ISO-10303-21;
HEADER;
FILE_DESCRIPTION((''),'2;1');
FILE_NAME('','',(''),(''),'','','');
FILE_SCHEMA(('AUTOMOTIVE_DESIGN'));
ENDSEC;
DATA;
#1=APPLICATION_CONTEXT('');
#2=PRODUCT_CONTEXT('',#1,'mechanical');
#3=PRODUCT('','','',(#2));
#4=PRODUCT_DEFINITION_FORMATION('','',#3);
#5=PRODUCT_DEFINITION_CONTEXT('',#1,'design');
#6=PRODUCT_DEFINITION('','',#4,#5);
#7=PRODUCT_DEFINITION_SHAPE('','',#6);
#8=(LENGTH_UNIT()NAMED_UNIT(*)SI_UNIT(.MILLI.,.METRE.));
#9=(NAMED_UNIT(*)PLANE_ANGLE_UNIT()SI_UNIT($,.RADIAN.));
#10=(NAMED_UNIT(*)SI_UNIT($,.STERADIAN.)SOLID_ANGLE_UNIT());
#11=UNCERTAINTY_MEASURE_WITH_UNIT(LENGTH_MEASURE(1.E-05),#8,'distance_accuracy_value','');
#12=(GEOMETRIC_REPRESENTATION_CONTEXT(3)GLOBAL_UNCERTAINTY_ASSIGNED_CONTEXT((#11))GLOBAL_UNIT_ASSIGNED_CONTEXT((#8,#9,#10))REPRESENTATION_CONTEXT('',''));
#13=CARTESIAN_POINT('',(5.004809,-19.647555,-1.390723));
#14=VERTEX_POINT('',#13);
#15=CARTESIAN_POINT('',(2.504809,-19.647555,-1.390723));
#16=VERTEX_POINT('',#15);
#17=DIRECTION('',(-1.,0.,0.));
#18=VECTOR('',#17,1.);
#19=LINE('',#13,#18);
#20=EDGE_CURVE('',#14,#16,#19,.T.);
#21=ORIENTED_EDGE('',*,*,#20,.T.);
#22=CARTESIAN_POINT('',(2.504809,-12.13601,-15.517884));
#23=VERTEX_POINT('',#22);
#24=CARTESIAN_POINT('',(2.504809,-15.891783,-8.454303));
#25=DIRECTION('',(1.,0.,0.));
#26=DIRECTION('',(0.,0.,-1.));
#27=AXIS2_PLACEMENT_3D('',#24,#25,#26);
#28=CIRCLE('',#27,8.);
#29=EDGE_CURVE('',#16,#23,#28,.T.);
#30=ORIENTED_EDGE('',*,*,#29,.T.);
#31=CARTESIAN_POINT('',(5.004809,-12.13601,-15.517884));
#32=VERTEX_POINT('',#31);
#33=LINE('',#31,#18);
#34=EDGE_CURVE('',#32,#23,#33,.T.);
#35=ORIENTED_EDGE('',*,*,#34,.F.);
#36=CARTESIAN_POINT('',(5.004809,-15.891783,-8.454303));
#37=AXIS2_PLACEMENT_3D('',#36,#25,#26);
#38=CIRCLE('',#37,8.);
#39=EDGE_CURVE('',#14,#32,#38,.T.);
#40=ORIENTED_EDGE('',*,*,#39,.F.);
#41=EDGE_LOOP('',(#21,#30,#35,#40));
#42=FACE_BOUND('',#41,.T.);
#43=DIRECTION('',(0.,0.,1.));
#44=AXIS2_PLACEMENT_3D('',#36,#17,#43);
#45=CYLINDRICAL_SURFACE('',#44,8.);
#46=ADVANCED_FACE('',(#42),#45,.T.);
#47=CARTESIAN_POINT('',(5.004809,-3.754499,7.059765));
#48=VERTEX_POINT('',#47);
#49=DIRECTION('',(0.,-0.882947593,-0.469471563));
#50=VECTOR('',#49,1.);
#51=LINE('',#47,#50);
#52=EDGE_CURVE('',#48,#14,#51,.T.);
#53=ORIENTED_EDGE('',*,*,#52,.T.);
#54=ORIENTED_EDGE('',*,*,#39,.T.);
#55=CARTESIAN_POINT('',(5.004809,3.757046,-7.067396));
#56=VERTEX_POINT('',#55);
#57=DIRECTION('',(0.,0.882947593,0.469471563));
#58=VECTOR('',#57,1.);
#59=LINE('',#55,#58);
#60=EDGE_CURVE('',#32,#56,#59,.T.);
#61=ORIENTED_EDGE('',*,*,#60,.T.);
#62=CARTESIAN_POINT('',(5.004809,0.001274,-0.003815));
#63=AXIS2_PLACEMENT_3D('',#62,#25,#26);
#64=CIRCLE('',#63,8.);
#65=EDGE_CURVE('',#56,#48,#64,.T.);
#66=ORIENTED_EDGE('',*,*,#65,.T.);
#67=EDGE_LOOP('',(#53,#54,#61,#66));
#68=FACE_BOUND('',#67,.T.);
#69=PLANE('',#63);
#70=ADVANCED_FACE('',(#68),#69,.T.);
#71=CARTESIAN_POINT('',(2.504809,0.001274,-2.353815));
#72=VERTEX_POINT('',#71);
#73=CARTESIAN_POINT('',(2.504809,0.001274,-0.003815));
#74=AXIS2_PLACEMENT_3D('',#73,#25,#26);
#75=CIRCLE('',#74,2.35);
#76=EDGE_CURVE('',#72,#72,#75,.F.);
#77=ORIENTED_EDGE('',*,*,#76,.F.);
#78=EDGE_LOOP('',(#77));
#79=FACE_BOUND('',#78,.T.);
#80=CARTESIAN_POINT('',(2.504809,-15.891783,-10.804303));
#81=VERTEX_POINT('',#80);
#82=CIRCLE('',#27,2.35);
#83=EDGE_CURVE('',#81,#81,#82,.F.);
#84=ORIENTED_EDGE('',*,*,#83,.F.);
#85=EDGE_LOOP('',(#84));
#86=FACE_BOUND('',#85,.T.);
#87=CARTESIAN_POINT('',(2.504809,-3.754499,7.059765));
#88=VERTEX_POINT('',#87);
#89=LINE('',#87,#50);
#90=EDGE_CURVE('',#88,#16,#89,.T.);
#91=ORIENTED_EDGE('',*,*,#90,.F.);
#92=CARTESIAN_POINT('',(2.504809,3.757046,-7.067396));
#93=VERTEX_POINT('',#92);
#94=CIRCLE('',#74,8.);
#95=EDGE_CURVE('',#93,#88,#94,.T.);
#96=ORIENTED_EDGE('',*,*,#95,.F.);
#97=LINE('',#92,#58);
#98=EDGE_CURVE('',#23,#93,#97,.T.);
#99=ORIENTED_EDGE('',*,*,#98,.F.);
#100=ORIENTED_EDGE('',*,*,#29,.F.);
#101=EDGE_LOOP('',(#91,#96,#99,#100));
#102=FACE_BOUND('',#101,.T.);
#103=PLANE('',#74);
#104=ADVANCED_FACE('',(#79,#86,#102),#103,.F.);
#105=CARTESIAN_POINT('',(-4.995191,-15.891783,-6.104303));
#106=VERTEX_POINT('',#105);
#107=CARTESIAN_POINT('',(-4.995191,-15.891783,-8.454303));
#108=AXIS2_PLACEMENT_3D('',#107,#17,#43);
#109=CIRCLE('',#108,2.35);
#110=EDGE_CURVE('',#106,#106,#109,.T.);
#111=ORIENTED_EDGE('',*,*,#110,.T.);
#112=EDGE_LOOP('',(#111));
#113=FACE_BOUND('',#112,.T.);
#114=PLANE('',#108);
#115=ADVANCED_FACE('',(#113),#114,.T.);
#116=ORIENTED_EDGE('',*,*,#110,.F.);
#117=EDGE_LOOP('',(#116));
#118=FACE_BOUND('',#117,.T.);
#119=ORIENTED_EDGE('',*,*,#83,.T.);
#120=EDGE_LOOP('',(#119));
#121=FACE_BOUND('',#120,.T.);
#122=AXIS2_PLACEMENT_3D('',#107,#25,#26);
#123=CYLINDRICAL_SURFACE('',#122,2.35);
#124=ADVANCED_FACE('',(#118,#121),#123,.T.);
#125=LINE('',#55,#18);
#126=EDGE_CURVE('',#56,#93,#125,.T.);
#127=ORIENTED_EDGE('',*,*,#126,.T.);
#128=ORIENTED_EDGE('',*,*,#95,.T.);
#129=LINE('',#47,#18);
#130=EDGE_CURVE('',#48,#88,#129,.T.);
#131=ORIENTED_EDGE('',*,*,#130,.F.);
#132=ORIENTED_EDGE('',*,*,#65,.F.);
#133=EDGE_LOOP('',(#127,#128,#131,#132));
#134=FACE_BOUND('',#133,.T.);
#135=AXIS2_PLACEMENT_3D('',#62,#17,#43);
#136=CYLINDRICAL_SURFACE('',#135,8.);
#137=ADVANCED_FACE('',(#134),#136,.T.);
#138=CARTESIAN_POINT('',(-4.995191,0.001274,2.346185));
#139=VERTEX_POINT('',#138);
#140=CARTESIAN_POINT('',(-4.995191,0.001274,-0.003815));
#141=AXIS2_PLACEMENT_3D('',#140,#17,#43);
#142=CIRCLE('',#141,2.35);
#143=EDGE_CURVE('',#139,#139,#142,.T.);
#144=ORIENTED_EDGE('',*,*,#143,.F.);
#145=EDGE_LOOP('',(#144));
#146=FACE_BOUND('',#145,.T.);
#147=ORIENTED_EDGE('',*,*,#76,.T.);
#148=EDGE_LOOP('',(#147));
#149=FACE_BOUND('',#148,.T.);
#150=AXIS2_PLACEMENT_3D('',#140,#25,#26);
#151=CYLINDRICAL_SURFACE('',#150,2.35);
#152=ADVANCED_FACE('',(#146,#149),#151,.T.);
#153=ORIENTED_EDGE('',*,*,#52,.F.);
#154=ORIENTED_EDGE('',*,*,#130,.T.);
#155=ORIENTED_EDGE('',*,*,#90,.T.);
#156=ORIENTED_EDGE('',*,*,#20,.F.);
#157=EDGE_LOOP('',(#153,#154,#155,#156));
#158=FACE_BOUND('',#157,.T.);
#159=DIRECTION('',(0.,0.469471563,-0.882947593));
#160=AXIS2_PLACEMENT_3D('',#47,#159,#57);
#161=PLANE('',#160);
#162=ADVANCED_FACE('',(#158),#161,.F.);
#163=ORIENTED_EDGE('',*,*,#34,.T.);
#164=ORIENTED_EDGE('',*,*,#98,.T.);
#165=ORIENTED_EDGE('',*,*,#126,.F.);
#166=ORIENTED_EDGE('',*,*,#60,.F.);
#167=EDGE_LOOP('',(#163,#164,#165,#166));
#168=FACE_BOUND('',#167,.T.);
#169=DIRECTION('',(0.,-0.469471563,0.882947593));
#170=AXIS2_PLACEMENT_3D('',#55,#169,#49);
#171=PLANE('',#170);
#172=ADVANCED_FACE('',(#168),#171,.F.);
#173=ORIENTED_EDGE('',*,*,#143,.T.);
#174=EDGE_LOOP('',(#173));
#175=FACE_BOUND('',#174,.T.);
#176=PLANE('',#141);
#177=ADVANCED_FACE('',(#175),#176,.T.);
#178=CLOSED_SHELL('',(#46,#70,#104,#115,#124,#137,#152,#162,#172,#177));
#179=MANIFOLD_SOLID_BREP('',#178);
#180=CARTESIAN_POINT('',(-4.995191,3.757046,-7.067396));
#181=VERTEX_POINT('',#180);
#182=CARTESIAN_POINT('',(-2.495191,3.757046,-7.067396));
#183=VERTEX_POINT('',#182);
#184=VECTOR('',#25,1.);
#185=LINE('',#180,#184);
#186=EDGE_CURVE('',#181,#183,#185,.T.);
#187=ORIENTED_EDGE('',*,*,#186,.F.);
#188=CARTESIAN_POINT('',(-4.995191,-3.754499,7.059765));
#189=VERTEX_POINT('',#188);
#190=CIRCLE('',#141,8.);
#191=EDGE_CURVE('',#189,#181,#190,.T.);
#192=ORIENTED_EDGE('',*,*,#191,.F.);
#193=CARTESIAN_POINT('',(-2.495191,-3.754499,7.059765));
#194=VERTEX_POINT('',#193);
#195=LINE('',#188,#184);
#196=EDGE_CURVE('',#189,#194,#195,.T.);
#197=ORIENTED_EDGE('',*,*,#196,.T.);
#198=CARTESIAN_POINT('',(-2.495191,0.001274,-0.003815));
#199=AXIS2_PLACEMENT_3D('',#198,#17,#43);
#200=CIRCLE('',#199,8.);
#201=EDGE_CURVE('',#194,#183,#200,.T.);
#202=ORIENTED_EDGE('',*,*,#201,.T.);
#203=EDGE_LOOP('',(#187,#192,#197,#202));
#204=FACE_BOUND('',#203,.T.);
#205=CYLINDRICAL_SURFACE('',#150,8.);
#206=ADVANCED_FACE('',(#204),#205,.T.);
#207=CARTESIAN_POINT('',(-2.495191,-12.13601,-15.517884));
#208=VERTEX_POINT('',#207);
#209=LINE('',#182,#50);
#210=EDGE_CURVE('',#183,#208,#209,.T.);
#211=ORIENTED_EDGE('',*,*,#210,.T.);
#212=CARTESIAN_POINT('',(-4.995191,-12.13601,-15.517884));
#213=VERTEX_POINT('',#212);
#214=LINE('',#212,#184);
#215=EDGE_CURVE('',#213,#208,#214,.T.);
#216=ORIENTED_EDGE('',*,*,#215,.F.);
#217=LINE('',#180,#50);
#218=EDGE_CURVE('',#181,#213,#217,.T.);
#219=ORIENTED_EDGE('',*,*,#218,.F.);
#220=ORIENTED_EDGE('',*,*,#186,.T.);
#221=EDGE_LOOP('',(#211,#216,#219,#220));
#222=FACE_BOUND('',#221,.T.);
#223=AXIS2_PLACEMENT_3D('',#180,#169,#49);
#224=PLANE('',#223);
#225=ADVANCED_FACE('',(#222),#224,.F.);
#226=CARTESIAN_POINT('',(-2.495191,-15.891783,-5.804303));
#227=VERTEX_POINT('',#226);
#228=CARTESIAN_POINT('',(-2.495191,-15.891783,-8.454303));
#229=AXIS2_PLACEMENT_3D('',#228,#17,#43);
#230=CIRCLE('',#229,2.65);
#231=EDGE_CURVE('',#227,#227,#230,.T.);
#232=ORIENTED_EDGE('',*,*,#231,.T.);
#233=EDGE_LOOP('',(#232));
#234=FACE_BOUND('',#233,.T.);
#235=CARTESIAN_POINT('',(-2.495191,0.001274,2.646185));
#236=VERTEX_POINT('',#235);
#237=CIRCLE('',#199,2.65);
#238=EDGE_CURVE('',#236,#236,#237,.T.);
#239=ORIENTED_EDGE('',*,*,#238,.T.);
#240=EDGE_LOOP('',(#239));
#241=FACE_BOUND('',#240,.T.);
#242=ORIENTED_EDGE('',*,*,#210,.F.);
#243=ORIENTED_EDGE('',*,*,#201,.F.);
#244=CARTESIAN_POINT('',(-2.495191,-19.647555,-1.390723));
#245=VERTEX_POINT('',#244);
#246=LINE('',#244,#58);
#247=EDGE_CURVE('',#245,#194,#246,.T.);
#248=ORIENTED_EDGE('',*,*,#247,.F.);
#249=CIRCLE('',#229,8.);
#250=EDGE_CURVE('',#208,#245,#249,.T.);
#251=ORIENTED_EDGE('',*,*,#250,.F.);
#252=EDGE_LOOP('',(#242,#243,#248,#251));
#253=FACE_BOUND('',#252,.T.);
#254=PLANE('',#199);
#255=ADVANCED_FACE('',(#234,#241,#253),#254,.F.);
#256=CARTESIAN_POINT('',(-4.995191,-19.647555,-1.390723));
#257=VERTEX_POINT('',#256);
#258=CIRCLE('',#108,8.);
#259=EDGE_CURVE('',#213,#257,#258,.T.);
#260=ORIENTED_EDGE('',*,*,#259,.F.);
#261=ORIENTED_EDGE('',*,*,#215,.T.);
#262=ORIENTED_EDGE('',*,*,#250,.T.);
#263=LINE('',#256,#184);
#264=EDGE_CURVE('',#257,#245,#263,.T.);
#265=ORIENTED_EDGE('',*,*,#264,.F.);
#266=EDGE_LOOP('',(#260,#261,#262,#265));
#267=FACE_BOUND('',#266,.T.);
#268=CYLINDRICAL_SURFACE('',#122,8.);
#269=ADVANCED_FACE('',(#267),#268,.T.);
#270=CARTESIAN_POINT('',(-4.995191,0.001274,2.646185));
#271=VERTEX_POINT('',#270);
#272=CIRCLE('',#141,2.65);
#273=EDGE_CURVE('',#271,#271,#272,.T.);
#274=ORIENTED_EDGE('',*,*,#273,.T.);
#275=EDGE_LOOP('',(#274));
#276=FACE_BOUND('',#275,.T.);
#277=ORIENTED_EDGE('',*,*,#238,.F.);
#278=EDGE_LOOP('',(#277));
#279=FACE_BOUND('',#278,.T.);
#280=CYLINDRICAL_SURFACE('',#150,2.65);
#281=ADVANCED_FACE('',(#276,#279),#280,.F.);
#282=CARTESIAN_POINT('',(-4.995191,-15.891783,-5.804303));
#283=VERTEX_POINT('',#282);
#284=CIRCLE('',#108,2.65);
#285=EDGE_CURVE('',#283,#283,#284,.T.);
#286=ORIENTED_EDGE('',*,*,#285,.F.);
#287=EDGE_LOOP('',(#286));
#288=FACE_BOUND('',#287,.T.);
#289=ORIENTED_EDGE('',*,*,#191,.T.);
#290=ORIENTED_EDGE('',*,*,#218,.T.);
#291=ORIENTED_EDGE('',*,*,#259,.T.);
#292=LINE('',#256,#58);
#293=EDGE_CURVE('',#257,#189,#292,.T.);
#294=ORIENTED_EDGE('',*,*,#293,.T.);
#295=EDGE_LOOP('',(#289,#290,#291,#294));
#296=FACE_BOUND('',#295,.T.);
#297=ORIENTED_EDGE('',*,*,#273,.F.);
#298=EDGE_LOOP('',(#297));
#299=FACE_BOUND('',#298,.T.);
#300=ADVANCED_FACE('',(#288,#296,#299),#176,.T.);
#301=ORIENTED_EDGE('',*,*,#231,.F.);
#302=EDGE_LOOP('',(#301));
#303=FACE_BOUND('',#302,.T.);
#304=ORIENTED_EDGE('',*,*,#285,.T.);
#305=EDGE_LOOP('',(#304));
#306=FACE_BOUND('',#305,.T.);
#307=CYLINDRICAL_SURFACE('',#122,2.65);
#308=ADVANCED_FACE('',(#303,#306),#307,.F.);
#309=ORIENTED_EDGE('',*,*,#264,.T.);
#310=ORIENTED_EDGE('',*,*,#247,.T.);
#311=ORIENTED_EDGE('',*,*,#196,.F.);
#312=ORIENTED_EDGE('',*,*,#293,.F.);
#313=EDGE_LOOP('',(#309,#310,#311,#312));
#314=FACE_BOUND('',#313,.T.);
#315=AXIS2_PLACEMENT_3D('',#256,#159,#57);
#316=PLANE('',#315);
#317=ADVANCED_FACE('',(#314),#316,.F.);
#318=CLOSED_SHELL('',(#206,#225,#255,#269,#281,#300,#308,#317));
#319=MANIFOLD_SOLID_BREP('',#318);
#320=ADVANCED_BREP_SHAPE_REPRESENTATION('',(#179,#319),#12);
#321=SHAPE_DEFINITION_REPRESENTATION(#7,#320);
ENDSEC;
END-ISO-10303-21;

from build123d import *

# Parameters (mm, degrees)
BOSS_EXTRUDE1_DEPTH = 2.5
SKETCH2_R           = 2.35
BOSS_EXTRUDE2_DEPTH = 7.5
SKETCH3_R           = 2.65
BOSS_EXTRUDE3_DEPTH = 2.5


with BuildPart() as part:
    # Sketch1 → Boss-Extrude1 (new body)
    with BuildSketch(Plane(origin=(23.504809472, 0, 0), x_dir=(0, 0, -1), z_dir=(1, 0, 0))):
        with BuildLine():
            Line((-1.032603934, 120.437046334), (7.417884196, 104.543989663))
            ThreePointArc((7.417884196, 104.543989663), (4.110075956, 93.724636418), (-6.709277289, 97.032444658))
            Line((-6.709277289, 97.032444658), (-15.15976542, 112.92550133))
            ThreePointArc((-15.15976542, 112.92550133), (-11.851957179, 123.744854575), (-1.032603934, 120.437046334))
        make_face()
    extrude(amount=BOSS_EXTRUDE1_DEPTH)

    # Sketch2 → Boss-Extrude2 (add)
    with BuildSketch(Plane.ZY.offset(-23.504809472)):
        with Locations(Location((8.096184677, 116.681273832, 0), (0, 0, 180))):
            Circle(SKETCH2_R)
        with Locations(Location((-0.354303453, 100.78821716, 0), (0, 0, 180))):
            Circle(SKETCH2_R)
    extrude(amount=BOSS_EXTRUDE2_DEPTH)


with BuildPart() as body_2:
    # Sketch3 → Boss-Extrude3 (new body)
    with BuildSketch(Plane.ZY.offset(-18.504809472)):
        with BuildLine():
            Line((1.032603934, 120.437046334), (-7.417884196, 104.543989663))
            ThreePointArc((-7.417884196, 104.543989663), (-4.110075956, 93.724636418), (6.709277289, 97.032444658))
            Line((6.709277289, 97.032444658), (15.15976542, 112.92550133))
            ThreePointArc((15.15976542, 112.92550133), (11.851957179, 123.744854575), (1.032603934, 120.437046334))
        make_face()
        with Locations((8.096184677, 116.681273832)):
            Circle(SKETCH3_R, mode=Mode.SUBTRACT)
        with Locations((-0.354303453, 100.78821716)):
            Circle(SKETCH3_R, mode=Mode.SUBTRACT)
    extrude(amount=BOSS_EXTRUDE3_DEPTH)


with BuildPart() as part_1:
    # Body-Move/Copy1: moved
    add(part.part.moved(Location((-21, -116.68, -8.1))))


with BuildPart() as body_2_1:
    # Body-Move/Copy1: moved
    add(body_2.part.moved(Location((-21, -116.68, -8.1))))


solid = Compound([part_1.part, body_2_1.part])
